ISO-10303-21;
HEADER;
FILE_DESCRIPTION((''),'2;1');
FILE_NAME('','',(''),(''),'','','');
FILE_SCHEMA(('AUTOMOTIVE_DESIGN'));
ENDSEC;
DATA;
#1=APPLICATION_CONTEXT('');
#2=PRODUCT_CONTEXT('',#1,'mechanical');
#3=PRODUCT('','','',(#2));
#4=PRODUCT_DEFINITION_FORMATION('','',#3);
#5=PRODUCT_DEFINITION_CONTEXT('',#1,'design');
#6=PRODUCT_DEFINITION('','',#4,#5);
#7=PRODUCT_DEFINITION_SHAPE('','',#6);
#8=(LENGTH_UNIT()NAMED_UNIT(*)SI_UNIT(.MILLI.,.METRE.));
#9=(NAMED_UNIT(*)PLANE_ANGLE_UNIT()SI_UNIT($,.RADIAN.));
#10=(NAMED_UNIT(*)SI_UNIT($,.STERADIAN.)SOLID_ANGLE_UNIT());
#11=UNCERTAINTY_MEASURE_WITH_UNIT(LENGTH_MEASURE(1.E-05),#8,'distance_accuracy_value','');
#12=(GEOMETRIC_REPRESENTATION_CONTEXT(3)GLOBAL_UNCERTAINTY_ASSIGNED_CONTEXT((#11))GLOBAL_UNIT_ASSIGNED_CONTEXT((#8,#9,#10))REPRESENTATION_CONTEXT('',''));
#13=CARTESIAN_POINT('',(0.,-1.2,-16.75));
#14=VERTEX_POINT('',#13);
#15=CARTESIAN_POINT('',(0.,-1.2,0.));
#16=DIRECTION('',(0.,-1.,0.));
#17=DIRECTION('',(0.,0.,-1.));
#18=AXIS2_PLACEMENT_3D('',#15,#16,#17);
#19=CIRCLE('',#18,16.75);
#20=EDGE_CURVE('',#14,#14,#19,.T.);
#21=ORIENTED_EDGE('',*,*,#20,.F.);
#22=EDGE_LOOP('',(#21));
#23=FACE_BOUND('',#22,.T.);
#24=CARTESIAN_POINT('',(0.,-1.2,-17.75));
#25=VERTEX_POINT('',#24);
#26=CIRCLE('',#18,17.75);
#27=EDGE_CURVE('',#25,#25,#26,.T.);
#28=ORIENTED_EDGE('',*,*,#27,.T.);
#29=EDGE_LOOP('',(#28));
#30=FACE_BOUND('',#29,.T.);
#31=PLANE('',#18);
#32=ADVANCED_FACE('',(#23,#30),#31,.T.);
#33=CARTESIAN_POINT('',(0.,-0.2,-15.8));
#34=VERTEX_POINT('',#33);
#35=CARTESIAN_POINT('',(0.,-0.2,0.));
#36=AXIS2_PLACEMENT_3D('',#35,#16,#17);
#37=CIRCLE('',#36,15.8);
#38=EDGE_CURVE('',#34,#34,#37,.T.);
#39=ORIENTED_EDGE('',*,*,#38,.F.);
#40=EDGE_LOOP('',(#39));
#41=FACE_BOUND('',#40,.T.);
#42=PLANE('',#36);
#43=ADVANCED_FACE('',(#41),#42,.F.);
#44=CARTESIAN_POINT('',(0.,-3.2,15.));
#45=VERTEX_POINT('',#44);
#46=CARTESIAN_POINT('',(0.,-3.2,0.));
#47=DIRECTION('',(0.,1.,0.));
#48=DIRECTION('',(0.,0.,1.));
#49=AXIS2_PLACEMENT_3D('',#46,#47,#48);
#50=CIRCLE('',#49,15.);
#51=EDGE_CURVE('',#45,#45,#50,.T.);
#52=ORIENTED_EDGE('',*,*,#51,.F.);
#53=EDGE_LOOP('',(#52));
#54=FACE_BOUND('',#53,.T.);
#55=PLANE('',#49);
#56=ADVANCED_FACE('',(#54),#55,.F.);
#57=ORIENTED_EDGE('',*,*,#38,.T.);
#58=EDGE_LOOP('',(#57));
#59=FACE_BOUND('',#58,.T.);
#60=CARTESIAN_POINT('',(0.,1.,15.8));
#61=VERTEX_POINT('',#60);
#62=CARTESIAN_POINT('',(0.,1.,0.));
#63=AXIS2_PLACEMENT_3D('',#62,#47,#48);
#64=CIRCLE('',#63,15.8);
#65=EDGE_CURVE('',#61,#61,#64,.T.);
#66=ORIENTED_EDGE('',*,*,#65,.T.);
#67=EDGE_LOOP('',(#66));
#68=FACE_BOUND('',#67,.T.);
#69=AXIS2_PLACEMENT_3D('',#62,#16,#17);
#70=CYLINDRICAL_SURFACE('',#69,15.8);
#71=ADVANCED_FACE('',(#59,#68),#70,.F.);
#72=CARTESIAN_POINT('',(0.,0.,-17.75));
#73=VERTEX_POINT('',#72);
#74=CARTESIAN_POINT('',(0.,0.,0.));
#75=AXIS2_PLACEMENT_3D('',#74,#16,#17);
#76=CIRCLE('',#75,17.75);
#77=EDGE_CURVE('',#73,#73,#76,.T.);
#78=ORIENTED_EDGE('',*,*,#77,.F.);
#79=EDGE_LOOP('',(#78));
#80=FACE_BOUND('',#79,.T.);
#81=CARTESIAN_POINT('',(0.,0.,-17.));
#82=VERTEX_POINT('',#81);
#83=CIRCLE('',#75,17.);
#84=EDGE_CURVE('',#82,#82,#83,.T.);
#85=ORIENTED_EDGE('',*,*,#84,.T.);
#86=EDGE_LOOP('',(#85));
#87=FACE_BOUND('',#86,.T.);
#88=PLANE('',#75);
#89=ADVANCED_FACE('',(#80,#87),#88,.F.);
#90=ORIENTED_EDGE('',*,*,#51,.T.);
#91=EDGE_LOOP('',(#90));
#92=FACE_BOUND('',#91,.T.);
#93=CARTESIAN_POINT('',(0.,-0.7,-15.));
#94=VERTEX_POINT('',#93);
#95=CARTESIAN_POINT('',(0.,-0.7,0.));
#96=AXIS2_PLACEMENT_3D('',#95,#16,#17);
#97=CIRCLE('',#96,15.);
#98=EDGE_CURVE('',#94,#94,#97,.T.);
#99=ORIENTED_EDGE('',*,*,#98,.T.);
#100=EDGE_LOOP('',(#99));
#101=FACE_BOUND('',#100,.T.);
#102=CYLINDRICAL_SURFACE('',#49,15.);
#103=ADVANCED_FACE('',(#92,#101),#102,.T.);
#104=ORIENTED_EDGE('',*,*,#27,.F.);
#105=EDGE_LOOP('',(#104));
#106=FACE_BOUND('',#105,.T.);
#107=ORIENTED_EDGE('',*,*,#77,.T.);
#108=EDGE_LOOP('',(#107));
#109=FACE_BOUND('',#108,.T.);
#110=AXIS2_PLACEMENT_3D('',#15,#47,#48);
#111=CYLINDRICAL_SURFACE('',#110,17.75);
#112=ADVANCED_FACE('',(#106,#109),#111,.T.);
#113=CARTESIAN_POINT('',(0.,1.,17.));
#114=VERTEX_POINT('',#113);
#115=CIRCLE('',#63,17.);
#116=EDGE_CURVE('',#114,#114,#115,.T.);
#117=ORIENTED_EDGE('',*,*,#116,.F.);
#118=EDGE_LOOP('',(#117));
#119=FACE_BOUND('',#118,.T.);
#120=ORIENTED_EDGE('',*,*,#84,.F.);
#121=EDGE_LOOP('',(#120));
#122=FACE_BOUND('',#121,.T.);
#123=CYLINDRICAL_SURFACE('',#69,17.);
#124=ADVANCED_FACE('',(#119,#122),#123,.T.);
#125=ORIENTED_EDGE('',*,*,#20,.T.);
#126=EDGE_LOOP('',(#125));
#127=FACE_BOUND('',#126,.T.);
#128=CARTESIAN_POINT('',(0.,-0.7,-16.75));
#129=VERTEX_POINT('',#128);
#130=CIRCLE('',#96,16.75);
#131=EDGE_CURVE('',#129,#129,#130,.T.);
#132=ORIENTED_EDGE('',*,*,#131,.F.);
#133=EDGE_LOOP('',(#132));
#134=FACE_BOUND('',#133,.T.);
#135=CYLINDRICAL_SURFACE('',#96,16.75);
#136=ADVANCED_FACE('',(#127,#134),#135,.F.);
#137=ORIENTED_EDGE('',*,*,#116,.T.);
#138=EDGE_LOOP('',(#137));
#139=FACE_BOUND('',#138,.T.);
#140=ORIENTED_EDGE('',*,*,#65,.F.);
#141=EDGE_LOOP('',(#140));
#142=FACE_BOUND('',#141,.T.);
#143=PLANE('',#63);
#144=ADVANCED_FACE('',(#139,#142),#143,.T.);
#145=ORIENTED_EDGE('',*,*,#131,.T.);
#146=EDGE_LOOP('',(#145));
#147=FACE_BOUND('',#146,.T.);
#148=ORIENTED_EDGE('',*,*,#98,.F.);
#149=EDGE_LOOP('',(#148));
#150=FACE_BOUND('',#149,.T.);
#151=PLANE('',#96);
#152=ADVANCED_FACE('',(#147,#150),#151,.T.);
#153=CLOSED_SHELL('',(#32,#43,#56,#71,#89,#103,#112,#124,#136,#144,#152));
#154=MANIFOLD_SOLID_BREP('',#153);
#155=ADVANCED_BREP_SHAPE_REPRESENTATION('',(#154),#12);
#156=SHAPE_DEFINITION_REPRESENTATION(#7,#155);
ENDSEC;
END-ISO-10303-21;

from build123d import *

# Parameters (mm, degrees)
SKETCH_1_R          = 17
SKETCH_1_R_2        = 15.8
EXTRUDE_1_DEPTH     = 1
EXTRUDE_START       = 1.2
SKETCH_2_R          = 17.75
SKETCH_2_R_2        = 15.8
EXTRUDE_2_DEPTH     = 1.2
SKETCH_3_R          = 16.75
SKETCH_3_R_2        = 15.8
CUT_EXTRUDE_1_DEPTH = 0.5
SKETCH_4_R          = 15.8
SKETCH_4_R_2        = 15
EXTRUDE_3_DEPTH     = 0.5
SKETCH_6_R          = 15
EXTRUDE_4_DEPTH     = 3


with BuildPart() as part:
    # 草图1 → 凸台-拉伸1 (new body)
    with BuildSketch(Plane(origin=(0, 0, 0), x_dir=(1, 0, 0), z_dir=(0, 1, 0))):
        Circle(SKETCH_1_R)
        Circle(SKETCH_1_R_2, mode=Mode.SUBTRACT)
    extrude(amount=EXTRUDE_1_DEPTH)

    # 草图2 → 凸台-拉伸2 (add)
    with BuildSketch(Plane.XZ.offset(EXTRUDE_START)):
        Circle(SKETCH_2_R)
        Circle(SKETCH_2_R_2, mode=Mode.SUBTRACT)
    extrude(amount=-EXTRUDE_2_DEPTH)

    # 草图3 → 切除-拉伸1 (cut)
    with BuildSketch(Plane(origin=(0, -1.2, 0), x_dir=(-1, 0, 0), z_dir=(0, -1, 0))):
        Circle(SKETCH_3_R)
        Circle(SKETCH_3_R_2, mode=Mode.SUBTRACT)
    extrude(amount=-CUT_EXTRUDE_1_DEPTH, mode=Mode.SUBTRACT)



with BuildPart() as body_2:
    # 草图4 → 凸台-拉伸3 (new body)
    with BuildSketch(Plane.XZ.offset(0.7)):
        Circle(SKETCH_4_R)
        Circle(SKETCH_4_R_2, mode=Mode.SUBTRACT)
    extrude(amount=-EXTRUDE_3_DEPTH)


with BuildPart() as part_1:
    add(part.part)

    add(body_2.part)  # 凸台-拉伸4 merges body 2
    # 草图6 → 凸台-拉伸4 (add)
    with BuildSketch(Plane(origin=(0, -0.2, 0), x_dir=(1, 0, 0), z_dir=(0, 1, 0))):
        Circle(SKETCH_6_R)
    extrude(amount=-EXTRUDE_4_DEPTH)


solid = part_1.part
